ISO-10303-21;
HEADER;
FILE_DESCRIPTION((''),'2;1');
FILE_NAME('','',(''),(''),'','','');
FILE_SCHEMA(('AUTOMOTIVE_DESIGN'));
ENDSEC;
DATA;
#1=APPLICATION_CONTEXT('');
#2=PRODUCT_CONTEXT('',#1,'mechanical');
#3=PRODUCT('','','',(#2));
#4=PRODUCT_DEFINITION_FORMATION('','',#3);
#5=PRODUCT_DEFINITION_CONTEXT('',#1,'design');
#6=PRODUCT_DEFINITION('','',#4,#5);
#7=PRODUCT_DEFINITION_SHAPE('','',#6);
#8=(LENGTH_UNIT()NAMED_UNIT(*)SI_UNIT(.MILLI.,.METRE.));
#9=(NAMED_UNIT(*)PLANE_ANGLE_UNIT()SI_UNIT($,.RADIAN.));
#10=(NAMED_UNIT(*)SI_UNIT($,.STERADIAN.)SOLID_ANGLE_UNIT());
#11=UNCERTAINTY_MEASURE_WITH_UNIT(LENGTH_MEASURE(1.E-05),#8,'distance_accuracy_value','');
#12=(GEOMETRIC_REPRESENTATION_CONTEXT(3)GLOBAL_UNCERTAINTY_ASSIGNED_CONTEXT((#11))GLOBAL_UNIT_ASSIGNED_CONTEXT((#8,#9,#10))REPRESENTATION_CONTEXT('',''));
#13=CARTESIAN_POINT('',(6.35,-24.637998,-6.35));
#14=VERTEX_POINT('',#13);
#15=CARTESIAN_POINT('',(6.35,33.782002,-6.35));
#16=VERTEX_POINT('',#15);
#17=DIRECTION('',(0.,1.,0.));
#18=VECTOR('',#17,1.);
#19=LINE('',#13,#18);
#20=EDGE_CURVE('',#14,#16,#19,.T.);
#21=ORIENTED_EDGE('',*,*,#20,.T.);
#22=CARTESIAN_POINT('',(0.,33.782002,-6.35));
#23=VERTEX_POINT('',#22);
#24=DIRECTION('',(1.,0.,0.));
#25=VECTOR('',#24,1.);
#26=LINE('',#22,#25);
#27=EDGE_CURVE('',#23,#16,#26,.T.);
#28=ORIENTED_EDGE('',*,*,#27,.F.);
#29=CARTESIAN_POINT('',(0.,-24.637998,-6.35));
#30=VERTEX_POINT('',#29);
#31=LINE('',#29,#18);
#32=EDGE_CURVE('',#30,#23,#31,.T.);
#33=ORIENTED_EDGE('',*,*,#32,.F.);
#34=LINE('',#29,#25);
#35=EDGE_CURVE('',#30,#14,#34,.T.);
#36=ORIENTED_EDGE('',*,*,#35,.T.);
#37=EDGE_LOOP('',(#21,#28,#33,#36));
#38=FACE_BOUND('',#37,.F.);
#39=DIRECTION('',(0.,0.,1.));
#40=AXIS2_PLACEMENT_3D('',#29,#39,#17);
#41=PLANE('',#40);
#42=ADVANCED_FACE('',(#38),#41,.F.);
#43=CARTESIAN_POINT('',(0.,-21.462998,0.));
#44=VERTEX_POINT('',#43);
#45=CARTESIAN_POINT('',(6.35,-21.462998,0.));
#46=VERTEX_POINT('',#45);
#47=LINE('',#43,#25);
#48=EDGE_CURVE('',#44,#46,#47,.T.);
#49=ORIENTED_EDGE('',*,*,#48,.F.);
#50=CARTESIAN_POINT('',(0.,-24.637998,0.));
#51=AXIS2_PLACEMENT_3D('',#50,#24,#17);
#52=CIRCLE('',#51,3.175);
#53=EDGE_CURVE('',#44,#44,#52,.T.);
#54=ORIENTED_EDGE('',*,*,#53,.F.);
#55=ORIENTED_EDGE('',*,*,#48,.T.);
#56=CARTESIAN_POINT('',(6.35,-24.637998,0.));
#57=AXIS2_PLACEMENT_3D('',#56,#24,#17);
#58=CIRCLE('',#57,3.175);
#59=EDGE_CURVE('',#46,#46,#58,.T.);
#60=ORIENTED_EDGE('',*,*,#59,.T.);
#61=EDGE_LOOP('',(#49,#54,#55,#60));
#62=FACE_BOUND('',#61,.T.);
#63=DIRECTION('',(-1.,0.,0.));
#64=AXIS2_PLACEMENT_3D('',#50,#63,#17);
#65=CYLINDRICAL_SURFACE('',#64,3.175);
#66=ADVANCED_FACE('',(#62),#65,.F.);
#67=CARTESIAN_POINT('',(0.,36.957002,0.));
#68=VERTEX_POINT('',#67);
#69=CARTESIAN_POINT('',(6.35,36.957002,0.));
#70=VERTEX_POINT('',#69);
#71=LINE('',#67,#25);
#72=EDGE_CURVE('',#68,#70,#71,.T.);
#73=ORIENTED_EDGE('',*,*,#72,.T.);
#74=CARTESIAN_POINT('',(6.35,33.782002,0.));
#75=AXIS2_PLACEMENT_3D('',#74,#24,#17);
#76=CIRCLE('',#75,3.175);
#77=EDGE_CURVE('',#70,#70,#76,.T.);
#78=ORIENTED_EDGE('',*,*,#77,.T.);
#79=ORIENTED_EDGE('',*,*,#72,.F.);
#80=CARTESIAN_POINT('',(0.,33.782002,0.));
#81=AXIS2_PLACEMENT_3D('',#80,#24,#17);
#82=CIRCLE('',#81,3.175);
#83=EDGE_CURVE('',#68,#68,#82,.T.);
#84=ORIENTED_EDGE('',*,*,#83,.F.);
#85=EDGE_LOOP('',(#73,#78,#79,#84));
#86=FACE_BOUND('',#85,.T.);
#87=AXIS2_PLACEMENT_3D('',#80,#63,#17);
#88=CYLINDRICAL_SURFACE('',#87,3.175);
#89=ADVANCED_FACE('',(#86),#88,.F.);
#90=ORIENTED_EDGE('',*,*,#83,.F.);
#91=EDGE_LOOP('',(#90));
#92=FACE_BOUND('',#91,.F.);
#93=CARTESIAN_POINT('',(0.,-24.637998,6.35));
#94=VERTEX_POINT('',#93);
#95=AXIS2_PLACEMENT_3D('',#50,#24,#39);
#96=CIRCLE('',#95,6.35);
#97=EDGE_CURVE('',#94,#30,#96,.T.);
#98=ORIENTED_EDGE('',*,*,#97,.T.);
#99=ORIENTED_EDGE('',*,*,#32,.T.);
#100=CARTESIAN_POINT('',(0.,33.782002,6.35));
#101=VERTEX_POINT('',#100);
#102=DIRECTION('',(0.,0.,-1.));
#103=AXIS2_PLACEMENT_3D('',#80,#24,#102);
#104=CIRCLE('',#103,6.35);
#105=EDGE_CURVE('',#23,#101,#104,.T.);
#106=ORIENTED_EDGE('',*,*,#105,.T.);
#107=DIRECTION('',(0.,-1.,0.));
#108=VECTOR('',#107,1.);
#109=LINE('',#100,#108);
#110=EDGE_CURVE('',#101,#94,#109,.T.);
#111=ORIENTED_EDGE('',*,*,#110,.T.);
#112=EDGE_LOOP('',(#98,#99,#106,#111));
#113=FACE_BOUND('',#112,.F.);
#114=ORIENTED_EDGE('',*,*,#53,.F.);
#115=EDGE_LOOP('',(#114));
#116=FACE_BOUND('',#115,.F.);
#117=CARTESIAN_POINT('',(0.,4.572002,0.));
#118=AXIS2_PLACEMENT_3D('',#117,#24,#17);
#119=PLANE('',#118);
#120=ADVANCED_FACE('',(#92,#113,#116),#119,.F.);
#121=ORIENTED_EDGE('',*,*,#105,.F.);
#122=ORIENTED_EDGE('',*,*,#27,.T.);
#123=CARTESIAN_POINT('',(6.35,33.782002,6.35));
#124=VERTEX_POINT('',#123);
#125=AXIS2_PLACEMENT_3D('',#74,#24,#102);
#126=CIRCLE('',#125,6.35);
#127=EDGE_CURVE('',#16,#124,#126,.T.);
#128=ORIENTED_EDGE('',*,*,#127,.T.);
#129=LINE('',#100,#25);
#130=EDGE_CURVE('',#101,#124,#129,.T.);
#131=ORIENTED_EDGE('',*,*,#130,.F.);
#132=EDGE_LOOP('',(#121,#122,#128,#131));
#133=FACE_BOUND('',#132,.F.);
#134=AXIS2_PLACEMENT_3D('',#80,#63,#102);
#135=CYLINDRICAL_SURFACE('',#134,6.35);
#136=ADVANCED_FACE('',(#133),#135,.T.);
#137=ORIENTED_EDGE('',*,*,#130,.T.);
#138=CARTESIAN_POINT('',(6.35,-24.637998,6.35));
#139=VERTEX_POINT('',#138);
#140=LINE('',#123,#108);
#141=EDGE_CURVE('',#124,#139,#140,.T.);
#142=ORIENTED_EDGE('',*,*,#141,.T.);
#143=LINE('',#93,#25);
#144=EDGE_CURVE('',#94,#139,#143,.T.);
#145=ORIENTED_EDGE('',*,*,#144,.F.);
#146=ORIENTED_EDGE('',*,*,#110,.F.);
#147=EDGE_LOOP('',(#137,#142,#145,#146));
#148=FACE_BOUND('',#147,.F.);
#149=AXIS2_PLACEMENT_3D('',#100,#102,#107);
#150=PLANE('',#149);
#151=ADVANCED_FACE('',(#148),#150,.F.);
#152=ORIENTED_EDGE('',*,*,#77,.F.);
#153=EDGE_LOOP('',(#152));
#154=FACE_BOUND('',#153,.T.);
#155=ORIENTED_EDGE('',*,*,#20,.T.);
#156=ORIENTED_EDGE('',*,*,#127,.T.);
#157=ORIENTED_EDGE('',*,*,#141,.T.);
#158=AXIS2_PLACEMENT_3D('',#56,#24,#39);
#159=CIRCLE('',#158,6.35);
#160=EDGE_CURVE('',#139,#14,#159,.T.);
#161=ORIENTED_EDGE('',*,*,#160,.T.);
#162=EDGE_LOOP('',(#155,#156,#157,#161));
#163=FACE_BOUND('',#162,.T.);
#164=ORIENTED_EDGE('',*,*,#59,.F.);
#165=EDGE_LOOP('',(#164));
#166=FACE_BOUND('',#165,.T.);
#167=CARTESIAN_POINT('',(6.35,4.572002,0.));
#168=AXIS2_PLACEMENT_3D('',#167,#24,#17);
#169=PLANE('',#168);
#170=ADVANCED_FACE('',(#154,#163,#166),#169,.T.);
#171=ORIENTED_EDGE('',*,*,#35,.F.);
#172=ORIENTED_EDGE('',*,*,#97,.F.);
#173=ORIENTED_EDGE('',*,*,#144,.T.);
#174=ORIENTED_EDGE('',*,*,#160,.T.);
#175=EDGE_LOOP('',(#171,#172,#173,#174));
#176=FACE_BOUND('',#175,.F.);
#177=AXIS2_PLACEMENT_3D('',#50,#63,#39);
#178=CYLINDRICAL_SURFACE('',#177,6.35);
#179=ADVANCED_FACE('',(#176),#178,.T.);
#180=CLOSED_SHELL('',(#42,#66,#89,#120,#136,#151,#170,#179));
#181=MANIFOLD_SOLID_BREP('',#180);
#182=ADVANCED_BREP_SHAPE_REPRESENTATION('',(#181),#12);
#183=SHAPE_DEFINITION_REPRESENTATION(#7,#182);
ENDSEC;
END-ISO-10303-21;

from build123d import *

# Parameters (mm, degrees)
F0_R     = 3.175
F1_DEPTH = 6.35


with BuildPart() as f1:
    # F0 (on Right) → F1 (new body)
    with BuildSketch(Plane.YZ):
        with BuildLine():
            Line((33.782002, 6.35), (-24.637998, 6.35))
            ThreePointArc((-24.637998, 6.35), (-30.987998, 0), (-24.637998, -6.35))
            Line((-24.637998, -6.35), (33.782002, -6.35))
            ThreePointArc((33.782002, -6.35), (40.132002, 0), (33.782002, 6.35))
        make_face()
        with Locations((-24.637998, 0)):
            Circle(F0_R, mode=Mode.SUBTRACT)
        with Locations((33.782002, 0)):
            Circle(F0_R, mode=Mode.SUBTRACT)
    extrude(amount=F1_DEPTH)


solid = f1.part
